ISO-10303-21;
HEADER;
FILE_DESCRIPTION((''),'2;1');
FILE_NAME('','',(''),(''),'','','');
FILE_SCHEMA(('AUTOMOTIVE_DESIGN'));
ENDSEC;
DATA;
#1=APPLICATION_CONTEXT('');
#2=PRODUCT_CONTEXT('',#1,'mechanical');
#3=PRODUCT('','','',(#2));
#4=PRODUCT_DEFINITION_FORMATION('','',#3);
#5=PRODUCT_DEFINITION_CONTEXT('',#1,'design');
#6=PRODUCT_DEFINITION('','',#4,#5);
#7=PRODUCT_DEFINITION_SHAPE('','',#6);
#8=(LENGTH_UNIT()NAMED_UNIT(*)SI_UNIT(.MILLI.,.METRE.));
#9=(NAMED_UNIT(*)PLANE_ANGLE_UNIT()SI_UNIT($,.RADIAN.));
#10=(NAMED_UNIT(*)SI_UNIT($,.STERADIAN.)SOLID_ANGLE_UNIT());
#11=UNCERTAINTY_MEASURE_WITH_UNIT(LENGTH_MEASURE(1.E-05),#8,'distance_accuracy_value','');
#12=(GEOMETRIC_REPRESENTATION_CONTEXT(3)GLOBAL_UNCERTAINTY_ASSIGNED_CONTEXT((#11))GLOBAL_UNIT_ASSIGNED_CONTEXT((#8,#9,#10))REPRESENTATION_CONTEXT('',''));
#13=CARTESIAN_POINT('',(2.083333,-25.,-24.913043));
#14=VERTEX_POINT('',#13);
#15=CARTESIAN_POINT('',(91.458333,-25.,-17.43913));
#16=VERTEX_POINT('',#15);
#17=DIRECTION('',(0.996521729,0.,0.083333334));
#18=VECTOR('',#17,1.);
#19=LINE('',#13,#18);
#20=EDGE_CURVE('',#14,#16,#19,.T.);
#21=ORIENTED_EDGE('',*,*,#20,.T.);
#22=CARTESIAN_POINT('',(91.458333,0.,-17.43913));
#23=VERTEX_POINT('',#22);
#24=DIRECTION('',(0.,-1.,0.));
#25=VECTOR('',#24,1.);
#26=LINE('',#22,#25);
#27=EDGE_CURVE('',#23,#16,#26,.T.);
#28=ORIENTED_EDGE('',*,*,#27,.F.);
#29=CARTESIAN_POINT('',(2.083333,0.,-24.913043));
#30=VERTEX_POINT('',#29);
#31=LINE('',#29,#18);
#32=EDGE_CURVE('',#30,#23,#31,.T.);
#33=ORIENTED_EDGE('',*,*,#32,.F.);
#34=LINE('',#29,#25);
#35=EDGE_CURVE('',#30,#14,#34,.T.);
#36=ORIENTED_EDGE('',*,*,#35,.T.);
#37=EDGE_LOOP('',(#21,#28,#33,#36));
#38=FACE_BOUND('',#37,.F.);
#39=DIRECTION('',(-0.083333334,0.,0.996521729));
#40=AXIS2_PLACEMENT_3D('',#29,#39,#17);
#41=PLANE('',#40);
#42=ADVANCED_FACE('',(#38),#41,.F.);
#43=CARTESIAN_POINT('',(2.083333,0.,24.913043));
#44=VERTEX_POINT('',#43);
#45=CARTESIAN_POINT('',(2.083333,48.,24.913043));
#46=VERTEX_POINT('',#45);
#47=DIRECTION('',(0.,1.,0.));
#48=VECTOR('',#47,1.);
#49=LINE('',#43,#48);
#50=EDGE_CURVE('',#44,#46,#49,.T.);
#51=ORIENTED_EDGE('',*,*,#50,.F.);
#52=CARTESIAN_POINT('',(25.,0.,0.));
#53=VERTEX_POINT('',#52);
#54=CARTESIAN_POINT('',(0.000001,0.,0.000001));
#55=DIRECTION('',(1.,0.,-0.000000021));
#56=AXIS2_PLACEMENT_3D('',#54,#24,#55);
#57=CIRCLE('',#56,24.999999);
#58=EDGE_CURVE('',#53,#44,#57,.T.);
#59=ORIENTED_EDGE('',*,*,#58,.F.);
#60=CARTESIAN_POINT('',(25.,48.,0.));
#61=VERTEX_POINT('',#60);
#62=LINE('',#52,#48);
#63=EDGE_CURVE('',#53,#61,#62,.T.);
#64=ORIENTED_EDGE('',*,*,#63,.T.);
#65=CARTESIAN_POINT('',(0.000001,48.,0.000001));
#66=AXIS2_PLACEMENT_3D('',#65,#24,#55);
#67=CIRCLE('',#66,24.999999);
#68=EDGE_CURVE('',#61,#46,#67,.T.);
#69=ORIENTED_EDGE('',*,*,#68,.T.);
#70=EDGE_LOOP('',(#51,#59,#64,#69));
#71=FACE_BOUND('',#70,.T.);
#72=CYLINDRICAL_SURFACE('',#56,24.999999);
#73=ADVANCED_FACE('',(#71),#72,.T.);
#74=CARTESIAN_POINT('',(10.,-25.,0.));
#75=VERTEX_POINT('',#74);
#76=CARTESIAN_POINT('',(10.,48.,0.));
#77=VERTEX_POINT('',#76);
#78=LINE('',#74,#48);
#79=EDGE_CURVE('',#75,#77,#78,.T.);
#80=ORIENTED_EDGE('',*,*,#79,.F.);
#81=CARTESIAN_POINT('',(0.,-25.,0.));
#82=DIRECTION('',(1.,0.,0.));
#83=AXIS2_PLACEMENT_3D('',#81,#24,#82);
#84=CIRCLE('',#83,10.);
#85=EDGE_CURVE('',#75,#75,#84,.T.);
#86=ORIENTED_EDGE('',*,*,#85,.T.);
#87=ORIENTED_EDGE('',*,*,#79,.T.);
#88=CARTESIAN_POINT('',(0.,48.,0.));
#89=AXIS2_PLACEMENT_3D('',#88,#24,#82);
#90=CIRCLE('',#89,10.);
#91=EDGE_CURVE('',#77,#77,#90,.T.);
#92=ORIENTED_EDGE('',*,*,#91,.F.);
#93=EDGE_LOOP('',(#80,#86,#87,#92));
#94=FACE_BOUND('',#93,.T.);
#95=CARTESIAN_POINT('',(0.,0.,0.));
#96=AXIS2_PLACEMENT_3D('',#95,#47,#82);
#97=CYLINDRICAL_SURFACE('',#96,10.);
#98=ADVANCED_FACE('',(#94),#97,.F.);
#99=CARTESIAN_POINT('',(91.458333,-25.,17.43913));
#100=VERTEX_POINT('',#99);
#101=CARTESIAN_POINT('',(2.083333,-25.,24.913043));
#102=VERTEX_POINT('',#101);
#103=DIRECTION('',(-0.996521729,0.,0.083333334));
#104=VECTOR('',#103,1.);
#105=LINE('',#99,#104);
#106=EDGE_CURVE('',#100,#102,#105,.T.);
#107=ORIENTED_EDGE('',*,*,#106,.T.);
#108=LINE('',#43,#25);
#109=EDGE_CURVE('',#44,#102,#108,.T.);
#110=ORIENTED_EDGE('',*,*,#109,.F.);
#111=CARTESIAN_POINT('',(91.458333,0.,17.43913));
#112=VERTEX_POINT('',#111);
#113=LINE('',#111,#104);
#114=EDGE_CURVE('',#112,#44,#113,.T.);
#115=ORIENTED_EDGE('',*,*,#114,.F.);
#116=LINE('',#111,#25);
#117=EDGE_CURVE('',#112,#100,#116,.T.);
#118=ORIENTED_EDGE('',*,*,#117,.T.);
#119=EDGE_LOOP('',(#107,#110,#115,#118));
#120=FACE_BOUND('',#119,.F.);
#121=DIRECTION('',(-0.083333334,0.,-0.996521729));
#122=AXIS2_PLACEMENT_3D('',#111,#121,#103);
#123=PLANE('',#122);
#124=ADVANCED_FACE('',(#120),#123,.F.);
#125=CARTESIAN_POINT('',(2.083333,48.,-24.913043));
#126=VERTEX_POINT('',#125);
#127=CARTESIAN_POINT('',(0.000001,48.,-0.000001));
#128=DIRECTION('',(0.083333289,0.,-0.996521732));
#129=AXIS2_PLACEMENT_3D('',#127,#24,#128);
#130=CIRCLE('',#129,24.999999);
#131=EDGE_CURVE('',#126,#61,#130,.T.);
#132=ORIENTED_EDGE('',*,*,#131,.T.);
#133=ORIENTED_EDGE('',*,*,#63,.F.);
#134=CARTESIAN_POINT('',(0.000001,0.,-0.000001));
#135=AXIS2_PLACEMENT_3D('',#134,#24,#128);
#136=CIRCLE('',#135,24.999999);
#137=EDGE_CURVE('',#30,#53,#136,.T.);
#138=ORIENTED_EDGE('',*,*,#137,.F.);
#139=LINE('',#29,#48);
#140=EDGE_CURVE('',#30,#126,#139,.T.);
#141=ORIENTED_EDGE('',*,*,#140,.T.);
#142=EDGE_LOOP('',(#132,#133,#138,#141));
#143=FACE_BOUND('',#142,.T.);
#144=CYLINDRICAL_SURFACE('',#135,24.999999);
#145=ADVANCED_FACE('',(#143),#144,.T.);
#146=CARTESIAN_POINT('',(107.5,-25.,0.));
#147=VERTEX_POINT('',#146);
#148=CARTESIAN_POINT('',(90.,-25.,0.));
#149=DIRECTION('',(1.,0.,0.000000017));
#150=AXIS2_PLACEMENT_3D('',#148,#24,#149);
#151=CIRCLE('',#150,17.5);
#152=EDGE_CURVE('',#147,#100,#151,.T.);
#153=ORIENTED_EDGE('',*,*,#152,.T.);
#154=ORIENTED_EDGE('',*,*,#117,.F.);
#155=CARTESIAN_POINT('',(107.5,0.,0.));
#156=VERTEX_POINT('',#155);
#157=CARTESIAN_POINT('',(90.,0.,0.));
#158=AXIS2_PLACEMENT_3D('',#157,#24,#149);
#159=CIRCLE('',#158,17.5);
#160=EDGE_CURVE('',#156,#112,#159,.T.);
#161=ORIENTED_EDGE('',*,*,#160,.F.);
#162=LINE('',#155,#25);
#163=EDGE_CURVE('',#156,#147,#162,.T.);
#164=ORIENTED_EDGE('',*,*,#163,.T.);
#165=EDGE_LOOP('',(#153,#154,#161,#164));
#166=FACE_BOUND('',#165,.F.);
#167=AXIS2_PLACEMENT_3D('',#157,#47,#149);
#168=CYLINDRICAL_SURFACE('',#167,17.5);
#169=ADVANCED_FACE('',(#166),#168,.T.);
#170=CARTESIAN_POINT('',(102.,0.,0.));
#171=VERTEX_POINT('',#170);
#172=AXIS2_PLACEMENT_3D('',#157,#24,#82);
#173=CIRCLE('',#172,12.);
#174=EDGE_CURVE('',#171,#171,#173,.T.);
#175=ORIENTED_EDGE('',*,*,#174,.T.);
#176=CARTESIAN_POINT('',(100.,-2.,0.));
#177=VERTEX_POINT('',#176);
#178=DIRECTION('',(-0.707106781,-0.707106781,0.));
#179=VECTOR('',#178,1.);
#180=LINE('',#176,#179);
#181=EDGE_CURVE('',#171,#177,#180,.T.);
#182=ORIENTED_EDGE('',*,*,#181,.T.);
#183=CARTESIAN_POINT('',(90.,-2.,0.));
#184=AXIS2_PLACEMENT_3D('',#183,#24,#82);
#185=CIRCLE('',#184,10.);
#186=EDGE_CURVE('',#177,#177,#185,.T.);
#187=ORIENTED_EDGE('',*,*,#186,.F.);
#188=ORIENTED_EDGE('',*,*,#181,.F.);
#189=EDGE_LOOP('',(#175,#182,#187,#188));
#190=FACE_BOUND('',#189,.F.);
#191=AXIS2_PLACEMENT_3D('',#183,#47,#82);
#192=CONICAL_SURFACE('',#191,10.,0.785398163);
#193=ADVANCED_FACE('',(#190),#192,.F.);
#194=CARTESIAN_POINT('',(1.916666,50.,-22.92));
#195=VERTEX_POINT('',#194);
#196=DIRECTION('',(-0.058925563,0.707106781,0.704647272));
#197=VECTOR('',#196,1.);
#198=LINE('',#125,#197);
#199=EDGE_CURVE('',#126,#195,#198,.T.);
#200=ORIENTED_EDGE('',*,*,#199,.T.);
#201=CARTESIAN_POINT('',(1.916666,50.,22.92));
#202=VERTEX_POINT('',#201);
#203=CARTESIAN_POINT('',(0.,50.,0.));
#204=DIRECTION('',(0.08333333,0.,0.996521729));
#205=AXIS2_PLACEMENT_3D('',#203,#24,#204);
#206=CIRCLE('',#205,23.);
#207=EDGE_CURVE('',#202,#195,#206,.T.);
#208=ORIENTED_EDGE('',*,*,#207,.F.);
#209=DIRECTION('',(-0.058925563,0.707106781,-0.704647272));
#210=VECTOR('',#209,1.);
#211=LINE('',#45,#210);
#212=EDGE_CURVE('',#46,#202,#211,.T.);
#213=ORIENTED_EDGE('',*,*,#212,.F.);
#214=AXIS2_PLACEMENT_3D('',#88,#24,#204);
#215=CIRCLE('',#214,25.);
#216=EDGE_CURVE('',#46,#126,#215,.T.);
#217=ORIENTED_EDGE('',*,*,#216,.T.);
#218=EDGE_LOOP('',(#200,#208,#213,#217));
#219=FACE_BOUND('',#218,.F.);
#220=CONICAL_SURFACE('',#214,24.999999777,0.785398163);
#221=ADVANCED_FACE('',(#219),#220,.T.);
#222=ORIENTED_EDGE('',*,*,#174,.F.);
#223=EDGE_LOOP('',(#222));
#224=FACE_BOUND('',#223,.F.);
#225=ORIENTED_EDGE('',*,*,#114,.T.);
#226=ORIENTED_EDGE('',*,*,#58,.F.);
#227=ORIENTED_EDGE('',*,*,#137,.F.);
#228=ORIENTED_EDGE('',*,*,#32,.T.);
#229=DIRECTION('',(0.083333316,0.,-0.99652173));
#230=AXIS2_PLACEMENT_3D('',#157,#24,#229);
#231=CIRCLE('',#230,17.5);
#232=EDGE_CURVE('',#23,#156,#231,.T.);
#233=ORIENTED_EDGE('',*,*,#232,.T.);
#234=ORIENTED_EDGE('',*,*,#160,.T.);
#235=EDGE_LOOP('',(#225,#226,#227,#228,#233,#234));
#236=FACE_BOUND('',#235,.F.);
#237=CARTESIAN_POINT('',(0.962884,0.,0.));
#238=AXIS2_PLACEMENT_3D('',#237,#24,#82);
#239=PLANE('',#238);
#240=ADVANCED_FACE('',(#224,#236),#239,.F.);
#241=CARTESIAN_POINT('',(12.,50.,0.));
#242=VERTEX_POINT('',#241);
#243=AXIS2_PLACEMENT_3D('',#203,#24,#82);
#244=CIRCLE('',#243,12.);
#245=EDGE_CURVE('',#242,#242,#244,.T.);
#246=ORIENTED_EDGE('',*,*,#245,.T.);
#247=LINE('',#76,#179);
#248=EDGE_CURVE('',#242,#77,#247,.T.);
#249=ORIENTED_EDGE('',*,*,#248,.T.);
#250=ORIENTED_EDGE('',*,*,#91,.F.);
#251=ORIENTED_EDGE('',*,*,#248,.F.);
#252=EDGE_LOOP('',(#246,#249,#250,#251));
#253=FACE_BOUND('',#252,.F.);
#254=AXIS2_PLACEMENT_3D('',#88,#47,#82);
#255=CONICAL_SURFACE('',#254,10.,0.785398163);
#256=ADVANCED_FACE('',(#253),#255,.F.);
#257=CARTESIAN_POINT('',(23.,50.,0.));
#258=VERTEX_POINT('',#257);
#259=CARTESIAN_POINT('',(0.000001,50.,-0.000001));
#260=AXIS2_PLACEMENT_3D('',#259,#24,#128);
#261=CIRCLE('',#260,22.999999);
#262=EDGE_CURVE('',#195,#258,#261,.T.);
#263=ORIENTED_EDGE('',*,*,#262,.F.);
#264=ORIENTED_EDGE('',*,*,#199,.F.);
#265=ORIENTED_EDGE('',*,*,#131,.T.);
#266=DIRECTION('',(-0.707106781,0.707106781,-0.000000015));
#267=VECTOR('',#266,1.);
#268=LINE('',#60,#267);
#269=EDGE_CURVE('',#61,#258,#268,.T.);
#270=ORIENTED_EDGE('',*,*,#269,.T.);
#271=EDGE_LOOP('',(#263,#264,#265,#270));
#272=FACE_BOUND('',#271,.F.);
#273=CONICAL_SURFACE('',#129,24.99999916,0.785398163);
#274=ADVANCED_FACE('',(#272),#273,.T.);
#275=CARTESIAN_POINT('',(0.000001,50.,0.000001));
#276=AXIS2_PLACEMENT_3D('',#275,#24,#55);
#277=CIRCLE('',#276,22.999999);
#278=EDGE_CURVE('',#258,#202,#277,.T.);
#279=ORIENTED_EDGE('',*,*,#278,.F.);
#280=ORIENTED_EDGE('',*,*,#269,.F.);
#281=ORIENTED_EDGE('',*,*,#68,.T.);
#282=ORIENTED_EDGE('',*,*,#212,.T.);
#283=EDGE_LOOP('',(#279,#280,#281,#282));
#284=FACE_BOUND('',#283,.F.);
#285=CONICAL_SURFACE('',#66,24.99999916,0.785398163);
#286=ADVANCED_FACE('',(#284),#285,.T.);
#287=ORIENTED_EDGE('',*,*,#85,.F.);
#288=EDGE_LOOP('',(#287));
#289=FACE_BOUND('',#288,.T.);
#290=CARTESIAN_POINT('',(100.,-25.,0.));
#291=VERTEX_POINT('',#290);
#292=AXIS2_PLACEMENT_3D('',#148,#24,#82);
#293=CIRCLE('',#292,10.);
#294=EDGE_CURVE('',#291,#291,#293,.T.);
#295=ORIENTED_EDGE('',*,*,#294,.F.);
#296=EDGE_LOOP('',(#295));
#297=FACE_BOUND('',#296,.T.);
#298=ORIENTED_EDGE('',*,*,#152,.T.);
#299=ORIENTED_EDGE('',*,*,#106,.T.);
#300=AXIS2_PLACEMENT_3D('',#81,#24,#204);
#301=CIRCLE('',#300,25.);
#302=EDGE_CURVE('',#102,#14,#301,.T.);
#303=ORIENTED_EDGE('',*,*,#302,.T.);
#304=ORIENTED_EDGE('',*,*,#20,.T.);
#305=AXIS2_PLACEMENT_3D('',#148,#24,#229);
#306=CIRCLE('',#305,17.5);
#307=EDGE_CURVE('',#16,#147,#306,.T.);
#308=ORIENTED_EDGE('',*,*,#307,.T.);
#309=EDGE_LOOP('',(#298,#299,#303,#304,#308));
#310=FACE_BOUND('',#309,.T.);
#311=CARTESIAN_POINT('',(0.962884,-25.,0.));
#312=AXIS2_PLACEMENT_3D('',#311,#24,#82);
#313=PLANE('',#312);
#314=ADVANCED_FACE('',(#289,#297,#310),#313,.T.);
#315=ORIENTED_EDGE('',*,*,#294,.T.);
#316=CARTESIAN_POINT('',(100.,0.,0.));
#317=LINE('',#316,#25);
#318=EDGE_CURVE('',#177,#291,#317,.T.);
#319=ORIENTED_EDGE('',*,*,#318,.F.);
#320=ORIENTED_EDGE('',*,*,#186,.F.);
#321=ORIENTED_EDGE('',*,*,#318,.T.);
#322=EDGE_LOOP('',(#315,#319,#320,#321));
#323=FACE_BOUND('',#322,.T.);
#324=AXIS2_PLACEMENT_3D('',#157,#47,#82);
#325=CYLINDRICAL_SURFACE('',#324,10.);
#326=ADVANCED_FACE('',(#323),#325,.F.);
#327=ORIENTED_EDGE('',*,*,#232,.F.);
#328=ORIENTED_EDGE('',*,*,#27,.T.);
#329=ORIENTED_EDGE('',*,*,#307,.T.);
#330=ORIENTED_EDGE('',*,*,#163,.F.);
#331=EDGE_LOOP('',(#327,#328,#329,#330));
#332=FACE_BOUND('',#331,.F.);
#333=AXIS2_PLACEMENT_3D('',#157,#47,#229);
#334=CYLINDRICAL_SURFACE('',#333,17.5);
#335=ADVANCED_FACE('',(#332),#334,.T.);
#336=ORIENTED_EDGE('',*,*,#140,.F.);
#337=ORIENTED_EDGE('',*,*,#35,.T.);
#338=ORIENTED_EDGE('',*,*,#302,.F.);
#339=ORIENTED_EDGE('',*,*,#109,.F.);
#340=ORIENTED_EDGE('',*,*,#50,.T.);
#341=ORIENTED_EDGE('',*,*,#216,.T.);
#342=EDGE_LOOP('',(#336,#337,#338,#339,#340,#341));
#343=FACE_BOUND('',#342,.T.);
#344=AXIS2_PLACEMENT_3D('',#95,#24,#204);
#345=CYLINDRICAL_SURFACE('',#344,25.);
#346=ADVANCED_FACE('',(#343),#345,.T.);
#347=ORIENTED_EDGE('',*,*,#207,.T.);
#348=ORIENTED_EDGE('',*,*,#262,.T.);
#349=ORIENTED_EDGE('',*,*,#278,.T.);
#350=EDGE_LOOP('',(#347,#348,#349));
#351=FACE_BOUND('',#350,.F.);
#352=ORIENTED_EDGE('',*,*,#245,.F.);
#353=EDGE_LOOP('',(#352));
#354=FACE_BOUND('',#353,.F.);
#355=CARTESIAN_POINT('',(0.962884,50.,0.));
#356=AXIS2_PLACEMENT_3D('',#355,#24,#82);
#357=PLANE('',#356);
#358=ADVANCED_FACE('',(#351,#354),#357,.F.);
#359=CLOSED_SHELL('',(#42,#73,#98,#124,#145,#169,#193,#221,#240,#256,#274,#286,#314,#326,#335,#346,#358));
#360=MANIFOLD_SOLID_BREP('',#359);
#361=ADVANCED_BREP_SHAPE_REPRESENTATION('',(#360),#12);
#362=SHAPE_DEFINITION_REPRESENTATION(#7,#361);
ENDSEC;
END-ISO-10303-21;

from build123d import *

# Parameters (mm, degrees)
F0_R     = 10
F1_DEPTH = 25
F2_DEPTH = 50
F3_SIZE  = 2


with BuildPart() as f1:
    # F0 (on Front) → F1 (new body)
    with BuildSketch(Plane.XZ):
        with BuildLine():
            ThreePointArc((2.083333, -24.913043), (18.399502, -16.92508), (25, 0))
            ThreePointArc((25, 0), (18.399502, 16.92508), (2.083333, 24.913043))
            ThreePointArc((2.083333, 24.913043), (-25, 0), (2.083333, -24.913043))
        make_face()
        Circle(F0_R, mode=Mode.SUBTRACT)
        with BuildLine():
            ThreePointArc((2.083333, 24.913043), (18.399502, 16.92508), (25, 0))
            ThreePointArc((25, 0), (18.399502, -16.92508), (2.083333, -24.913043))
            Line((2.083333, -24.913043), (91.458333, -17.43913))
            ThreePointArc((91.458333, -17.43913), (72.5, 0), (91.458333, 17.43913))
            Line((91.458333, 17.43913), (2.083333, 24.913043))
        make_face()
        with BuildLine():
            ThreePointArc((107.5, 0), (102.879651, 11.847556), (91.458333, 17.43913))
            ThreePointArc((91.458333, 17.43913), (72.5, 0), (91.458333, -17.43913))
            ThreePointArc((91.458333, -17.43913), (102.879651, -11.847556), (107.5, 0))
        make_face()
        with Locations((90, 0)):
            Circle(F0_R, mode=Mode.SUBTRACT)
    extrude(amount=F1_DEPTH)

    # F0 (on Front) → F2 (join)
    with BuildSketch(Plane.XZ):
        with BuildLine():
            ThreePointArc((2.083333, -24.913043), (18.399502, -16.92508), (25, 0))
            ThreePointArc((25, 0), (18.399502, 16.92508), (2.083333, 24.913043))
            ThreePointArc((2.083333, 24.913043), (-25, 0), (2.083333, -24.913043))
        make_face()
        Circle(F0_R, mode=Mode.SUBTRACT)
    extrude(amount=-F2_DEPTH)

    # F3
    f3_edges = [f1.edges().sort_by_distance(p)[0] for p in [
        (-10, 50, 0),
        (-2.083333, 50, 24.913043),
        (80, 0, 0),
    ]]
    chamfer(f3_edges, length=F3_SIZE)


solid = f1.part
